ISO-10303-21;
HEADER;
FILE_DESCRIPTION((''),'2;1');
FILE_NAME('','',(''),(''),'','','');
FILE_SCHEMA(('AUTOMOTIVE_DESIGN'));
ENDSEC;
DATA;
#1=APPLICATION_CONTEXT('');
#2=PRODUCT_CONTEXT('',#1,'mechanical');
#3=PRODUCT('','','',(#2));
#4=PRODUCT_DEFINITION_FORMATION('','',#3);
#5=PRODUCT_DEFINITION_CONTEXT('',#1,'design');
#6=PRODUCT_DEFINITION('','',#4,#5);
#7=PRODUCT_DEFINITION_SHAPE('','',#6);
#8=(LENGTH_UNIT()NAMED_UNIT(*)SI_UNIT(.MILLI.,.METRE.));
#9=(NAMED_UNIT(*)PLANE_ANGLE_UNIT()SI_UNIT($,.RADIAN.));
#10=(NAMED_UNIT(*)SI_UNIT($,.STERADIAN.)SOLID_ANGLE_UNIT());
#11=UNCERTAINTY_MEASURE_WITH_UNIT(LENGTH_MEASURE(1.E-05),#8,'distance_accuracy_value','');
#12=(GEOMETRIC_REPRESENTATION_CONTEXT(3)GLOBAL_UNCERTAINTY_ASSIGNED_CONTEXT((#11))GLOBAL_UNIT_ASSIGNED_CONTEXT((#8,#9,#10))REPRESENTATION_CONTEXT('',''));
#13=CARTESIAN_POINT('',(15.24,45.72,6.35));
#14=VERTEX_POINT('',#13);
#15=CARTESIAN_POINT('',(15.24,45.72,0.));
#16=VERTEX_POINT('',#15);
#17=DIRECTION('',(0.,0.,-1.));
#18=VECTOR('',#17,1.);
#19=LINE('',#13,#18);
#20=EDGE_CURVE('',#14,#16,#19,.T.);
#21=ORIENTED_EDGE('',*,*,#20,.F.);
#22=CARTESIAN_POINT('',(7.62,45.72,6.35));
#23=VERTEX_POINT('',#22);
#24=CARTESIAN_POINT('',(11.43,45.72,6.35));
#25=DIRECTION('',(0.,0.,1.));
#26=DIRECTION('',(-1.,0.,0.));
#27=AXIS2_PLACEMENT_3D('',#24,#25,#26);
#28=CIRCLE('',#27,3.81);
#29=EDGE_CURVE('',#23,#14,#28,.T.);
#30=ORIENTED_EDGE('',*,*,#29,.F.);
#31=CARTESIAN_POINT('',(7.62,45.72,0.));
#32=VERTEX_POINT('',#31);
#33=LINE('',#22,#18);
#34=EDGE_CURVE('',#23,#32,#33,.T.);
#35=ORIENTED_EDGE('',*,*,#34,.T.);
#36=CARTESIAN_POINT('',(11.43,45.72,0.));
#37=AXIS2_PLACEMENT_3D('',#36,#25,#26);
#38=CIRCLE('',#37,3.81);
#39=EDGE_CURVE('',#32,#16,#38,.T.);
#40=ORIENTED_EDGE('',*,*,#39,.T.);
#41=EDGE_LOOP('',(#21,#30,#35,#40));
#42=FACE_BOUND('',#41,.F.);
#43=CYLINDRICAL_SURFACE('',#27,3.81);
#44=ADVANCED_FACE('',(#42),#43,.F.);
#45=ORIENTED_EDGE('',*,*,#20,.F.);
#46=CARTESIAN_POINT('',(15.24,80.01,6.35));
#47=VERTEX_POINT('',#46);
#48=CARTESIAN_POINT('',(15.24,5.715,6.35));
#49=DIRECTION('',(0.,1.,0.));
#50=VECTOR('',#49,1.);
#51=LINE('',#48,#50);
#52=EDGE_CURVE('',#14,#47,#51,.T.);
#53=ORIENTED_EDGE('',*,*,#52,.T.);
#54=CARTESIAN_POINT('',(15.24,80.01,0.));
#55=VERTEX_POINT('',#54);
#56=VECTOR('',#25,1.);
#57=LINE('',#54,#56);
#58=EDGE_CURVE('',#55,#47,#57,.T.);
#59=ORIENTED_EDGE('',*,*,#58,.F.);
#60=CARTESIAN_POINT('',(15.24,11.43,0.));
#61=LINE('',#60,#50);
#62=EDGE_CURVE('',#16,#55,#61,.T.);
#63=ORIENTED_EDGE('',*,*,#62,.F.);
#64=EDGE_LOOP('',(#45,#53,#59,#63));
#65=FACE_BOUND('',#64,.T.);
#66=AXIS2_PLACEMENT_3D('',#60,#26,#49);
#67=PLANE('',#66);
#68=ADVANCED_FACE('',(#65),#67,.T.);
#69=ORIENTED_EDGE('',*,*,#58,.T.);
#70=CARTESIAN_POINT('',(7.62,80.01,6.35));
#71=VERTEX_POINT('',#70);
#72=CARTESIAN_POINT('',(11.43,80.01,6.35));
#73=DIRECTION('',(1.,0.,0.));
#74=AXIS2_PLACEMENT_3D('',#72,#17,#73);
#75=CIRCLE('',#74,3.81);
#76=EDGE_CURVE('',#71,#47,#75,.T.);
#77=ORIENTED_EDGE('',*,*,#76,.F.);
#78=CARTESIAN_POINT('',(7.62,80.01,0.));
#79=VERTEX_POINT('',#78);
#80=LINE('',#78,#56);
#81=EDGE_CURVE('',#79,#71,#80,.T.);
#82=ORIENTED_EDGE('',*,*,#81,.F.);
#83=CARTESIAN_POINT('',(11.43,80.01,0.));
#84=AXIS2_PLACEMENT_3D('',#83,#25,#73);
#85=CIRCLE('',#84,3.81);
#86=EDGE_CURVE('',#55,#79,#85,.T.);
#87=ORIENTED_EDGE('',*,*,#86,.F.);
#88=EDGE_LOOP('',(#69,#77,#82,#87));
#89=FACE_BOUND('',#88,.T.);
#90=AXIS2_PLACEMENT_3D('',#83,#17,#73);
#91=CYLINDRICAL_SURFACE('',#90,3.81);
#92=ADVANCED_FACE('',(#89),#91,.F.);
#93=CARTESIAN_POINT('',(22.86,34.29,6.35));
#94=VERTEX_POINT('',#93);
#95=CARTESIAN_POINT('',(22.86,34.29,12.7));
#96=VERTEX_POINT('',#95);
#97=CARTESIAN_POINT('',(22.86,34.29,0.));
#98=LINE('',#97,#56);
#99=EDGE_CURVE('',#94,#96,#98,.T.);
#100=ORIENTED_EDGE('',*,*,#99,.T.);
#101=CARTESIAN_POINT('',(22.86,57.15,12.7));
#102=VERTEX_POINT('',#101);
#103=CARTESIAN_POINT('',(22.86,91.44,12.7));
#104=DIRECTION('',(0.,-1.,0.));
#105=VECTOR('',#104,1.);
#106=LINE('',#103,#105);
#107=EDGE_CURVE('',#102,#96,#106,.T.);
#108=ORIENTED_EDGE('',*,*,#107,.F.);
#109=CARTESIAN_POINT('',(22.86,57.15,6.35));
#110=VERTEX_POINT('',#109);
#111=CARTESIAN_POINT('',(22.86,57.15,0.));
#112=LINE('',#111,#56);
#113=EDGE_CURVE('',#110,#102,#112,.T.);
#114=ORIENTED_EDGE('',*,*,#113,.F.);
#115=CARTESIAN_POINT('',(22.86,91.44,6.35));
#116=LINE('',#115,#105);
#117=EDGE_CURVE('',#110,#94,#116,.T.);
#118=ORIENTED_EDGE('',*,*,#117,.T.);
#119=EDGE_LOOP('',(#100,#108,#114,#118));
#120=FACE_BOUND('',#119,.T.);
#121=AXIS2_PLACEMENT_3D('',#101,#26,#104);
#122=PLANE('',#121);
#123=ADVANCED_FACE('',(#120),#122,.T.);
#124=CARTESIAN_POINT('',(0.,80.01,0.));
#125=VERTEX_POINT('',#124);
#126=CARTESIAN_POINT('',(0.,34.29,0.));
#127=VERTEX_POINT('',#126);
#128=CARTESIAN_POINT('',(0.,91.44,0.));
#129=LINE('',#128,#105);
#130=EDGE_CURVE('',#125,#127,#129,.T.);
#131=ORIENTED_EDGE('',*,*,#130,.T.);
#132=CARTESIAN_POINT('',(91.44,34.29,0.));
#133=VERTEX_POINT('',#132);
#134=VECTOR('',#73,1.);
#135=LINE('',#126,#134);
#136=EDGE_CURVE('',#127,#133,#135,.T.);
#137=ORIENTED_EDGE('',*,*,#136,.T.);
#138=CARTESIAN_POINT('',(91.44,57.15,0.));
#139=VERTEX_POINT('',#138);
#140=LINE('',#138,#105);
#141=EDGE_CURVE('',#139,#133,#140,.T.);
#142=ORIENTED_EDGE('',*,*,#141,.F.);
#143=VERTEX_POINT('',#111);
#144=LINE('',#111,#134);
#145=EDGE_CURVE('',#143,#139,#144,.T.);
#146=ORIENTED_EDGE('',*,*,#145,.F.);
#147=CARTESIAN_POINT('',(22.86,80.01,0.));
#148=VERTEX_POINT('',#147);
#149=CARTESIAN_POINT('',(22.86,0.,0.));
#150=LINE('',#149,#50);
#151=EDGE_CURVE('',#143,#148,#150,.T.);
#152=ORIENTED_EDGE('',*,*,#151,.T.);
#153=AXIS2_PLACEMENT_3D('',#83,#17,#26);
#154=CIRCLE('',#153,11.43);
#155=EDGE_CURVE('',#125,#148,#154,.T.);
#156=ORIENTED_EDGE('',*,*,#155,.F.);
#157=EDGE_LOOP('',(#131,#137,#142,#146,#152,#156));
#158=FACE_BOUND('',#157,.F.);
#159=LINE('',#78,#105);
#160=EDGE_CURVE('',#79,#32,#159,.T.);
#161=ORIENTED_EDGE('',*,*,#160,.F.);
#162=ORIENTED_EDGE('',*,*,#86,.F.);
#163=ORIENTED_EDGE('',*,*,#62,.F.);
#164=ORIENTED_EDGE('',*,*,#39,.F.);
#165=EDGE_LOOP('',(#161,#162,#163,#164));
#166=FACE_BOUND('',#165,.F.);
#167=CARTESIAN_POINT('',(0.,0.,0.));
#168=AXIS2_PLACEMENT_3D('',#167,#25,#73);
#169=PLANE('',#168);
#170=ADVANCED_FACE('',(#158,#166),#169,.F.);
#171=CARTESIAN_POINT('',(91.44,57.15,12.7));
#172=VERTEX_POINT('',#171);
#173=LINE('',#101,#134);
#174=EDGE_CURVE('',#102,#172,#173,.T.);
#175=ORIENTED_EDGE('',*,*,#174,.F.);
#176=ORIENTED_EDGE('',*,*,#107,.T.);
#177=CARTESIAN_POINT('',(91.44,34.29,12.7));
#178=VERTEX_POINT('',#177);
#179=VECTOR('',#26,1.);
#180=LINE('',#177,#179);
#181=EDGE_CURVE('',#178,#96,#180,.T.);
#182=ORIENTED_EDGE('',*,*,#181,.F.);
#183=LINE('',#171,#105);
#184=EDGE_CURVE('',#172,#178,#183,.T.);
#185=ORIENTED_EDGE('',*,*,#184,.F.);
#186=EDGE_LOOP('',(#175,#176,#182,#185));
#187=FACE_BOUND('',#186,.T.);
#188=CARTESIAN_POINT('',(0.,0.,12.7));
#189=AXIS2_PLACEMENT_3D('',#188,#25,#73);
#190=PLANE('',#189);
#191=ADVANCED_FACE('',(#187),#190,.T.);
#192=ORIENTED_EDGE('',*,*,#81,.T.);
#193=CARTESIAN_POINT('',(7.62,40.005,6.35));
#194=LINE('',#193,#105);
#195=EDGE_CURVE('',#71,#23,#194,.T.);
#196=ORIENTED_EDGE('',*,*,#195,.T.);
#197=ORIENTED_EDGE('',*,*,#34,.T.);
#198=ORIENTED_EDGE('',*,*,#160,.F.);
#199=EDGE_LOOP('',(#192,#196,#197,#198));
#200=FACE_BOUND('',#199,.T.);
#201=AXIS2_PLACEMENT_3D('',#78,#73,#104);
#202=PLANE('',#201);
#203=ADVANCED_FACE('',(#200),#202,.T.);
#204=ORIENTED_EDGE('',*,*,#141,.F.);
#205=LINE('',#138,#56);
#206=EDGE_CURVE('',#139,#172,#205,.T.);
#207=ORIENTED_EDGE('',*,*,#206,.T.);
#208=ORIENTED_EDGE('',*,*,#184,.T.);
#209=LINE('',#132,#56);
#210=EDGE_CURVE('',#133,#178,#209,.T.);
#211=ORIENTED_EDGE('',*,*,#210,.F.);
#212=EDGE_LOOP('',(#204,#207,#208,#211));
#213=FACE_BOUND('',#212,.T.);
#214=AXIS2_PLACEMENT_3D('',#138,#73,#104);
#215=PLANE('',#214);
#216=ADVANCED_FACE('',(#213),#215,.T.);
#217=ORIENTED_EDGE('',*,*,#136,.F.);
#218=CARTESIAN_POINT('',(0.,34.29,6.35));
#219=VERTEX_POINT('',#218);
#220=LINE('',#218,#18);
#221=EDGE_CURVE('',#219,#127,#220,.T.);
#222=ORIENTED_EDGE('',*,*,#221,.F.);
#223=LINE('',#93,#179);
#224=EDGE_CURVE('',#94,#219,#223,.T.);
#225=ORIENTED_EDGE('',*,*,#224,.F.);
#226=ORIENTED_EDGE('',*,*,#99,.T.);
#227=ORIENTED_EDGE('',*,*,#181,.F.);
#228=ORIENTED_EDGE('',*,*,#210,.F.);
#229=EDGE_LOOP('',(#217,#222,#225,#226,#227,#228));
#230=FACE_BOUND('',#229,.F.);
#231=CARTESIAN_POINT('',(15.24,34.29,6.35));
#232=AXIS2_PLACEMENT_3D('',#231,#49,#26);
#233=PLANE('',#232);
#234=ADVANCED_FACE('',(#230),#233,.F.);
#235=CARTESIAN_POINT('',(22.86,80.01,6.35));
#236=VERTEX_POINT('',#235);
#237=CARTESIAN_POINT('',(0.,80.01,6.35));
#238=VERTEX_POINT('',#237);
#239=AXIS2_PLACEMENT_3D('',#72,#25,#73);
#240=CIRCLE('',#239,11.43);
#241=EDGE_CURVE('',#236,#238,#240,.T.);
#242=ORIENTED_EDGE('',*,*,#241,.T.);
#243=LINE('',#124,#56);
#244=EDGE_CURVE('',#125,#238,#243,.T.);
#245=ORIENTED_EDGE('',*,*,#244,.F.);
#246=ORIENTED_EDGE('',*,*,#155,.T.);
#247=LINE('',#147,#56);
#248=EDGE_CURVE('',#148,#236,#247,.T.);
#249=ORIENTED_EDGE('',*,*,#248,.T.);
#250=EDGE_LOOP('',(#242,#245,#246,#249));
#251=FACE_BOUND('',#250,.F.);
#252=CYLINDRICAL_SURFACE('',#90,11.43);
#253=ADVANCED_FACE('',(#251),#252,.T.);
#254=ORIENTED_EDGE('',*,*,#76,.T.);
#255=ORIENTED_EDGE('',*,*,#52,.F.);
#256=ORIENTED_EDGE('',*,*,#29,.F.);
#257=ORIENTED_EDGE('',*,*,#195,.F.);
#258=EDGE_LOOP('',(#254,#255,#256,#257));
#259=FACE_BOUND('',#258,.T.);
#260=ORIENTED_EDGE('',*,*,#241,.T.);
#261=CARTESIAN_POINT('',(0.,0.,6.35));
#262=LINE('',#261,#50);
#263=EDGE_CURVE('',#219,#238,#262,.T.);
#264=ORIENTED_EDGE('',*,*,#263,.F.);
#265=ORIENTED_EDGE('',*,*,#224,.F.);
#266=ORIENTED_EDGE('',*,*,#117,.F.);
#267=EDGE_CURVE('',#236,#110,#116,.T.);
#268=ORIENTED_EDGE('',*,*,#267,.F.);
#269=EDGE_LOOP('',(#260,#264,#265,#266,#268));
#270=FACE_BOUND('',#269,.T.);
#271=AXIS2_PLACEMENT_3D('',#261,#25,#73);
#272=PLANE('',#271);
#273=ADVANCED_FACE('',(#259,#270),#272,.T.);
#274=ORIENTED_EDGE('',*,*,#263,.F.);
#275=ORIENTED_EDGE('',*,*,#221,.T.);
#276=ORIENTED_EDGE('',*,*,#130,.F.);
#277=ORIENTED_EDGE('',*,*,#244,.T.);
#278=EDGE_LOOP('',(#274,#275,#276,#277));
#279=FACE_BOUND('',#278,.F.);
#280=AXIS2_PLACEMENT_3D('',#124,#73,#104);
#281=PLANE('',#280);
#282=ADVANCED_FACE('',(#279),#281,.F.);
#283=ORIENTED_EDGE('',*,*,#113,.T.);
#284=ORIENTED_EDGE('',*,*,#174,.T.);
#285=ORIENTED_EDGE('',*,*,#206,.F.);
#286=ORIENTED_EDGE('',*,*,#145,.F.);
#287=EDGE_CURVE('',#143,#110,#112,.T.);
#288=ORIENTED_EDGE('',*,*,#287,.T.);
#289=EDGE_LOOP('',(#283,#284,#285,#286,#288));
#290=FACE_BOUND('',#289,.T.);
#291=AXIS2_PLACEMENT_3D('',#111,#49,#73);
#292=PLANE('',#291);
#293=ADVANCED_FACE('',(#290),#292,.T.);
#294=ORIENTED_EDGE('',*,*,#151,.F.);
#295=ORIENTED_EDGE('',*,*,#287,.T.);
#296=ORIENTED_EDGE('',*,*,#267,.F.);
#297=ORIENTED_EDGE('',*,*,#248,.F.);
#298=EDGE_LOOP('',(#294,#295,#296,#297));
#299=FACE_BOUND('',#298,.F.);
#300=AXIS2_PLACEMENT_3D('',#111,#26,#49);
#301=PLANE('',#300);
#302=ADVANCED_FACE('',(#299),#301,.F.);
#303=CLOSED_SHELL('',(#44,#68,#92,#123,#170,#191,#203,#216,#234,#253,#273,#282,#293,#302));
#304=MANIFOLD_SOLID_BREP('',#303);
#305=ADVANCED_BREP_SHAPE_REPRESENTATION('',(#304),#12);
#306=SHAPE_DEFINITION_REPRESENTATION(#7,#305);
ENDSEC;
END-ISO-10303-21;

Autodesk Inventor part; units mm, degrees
ref_plane "YZ Plane" through (0, 0, 0) normal (1, 0, 0) x (0, 1, 0)
ref_plane "XZ Plane" through (0, 0, 0) normal (0, 1, 0) x (-1, 0, 0)
ref_plane "XY Plane" through (0, 0, 0) normal (0, 0, 1) x (1, 0, 0)
sketch "Sketch1" plane through (0, 0, 0) normal (0, 0, 1) x (1, 0, 0)
  line L0 (0, 0) -> (22.86, 0)
  line L1 (22.86, 0) -> (22.86, 91.44)
  line L2 (22.86, 91.44) -> (0, 91.44)
  line L3 (0, 91.44) -> (0, 0)
  line L4 (22.86, 57.15) -> (91.44, 57.15)
  line L5 (91.44, 57.15) -> (91.44, 34.29)
  line L6 (91.44, 34.29) -> (22.86, 34.29)
  line L7 (22.86, 34.29) -> (22.86, 57.15)
  line L8 (11.43, 80.01) -> (11.43, 11.43) construction
  line L9 (7.62, 80.01) -> (7.62, 11.43)
  line L10 (15.24, 11.43) -> (15.24, 80.01)
  arc A0 (15.24, 80.01) -> (7.62, 80.01) centre (11.43, 80.01) ccw
  arc A1 (7.62, 11.43) -> (15.24, 11.43) centre (11.43, 11.43) ccw
  arc A2 (22.86, 80.01) -> (0, 80.01) centre (11.43, 80.01) ccw
  arc A3 (0, 11.43) -> (22.86, 11.43) centre (11.43, 11.43) ccw
  point P0 (11.43, 45.72)
  point P1 (-17.5605, -7.6237)
  dimension "d0" = 22.86
  dimension "d1" = 91.44
  dimension "d2" = 68.58
  dimension "d3" = 22.86
  dimension "d4" = 34.29
  dimension "d5" = 68.58
  dimension "d6" = 7.62
  dimension "d7" = 11.43
  dimension "d8" = 11.43
  dimension "d9" = 0
  dimension "d10" = 0
extrude "Extrusion1" add sketch "Sketch1" along normal blind 12.7 contours A3 L3 A2 L1 | L1 L4 L5 L6
sketch "Sketch2" plane through (0, 0, 12.7) normal (0, 0, 1) x (1, 0, 0)
  line L0 (22.86, 0) -> (0, 0)
  line L1 (0, 0) -> (0, 91.44)
  line L2 (0, 91.44) -> (22.86, 91.44)
  line L3 (22.86, 91.44) -> (22.86, 0)
  line L4 (0, 80.01) -> (0, 11.43) projected
  line L5 (22.86, 57.15) -> (22.86, 80.01) projected
  arc A0 (22.86, 80.01) -> (0, 80.01) centre (11.43, 80.01) ccw projected
  arc A1 (0, 11.43) -> (22.86, 11.43) centre (11.43, 11.43) ccw projected
  point P0 (0, 0)
  point P1 (0, 11.43)
  dimension "d13" = 0
  dimension "d14" = 0
extrude "Extrusion2" cut sketch "Sketch2" against normal blind 6.35 contours A1 L1 A0 L3
sketch "Sketch3" plane through (0, 0, 6.35) normal (0, 0, 1) x (1, 0, 0)
  line L0 (22.86, 34.29) -> (91.44, 34.29) projected
  line L1 (22.86, 34.29) -> (0, 34.29)
  line L2 (0, 34.29) -> (0, 0)
  line L3 (0, 0) -> (22.86, 0)
  line L4 (22.86, 0) -> (22.86, 34.29)
  line L5 (0, 11.43) -> (0, 80.01) projected
  arc A0 (0, 11.43) -> (22.86, 11.43) centre (11.43, 11.43) ccw projected
  point P0 (0, 0)
  dimension "d17" = 0
extrude "Extrusion3" cut sketch "Sketch3" against normal blind 107.95 contours L4 A0 L2 L1
sketch "Sketch4" plane through (0, 0, 6.35) normal (0, 0, 1) x (1, 0, 0)
  line L0 (22.86, 34.29) -> (0, 34.29)
  line L1 (0, 34.29) -> (0, 41.91)
  line L2 (22.86, 41.91) -> (22.86, 34.29)
  arc A0 (7.62, 45.72) -> (15.24, 45.72) centre (11.43, 45.72) ccw
  line L3 (15.24, 34.29) -> (15.24, 80.01) projected
  line L4 (15.24, 41.91) -> (15.24, 45.72)
  line L5 (7.62, 80.01) -> (7.62, 34.29) projected
  line L6 (7.62, 41.91) -> (7.62, 45.72)
  line L7 (0, 41.91) -> (7.62, 41.91)
  line L8 (15.24, 41.91) -> (22.86, 41.91)
  point P0 (0, 0)
  dimension "d20" = 22.86
  dimension "d21" = 7.62
  dimension "d22" = 7.62
extrude "Extrusion4" add sketch "Sketch4" against normal blind 6.35 contours L0 L5 A0 L3
properties part number "Slider2"
